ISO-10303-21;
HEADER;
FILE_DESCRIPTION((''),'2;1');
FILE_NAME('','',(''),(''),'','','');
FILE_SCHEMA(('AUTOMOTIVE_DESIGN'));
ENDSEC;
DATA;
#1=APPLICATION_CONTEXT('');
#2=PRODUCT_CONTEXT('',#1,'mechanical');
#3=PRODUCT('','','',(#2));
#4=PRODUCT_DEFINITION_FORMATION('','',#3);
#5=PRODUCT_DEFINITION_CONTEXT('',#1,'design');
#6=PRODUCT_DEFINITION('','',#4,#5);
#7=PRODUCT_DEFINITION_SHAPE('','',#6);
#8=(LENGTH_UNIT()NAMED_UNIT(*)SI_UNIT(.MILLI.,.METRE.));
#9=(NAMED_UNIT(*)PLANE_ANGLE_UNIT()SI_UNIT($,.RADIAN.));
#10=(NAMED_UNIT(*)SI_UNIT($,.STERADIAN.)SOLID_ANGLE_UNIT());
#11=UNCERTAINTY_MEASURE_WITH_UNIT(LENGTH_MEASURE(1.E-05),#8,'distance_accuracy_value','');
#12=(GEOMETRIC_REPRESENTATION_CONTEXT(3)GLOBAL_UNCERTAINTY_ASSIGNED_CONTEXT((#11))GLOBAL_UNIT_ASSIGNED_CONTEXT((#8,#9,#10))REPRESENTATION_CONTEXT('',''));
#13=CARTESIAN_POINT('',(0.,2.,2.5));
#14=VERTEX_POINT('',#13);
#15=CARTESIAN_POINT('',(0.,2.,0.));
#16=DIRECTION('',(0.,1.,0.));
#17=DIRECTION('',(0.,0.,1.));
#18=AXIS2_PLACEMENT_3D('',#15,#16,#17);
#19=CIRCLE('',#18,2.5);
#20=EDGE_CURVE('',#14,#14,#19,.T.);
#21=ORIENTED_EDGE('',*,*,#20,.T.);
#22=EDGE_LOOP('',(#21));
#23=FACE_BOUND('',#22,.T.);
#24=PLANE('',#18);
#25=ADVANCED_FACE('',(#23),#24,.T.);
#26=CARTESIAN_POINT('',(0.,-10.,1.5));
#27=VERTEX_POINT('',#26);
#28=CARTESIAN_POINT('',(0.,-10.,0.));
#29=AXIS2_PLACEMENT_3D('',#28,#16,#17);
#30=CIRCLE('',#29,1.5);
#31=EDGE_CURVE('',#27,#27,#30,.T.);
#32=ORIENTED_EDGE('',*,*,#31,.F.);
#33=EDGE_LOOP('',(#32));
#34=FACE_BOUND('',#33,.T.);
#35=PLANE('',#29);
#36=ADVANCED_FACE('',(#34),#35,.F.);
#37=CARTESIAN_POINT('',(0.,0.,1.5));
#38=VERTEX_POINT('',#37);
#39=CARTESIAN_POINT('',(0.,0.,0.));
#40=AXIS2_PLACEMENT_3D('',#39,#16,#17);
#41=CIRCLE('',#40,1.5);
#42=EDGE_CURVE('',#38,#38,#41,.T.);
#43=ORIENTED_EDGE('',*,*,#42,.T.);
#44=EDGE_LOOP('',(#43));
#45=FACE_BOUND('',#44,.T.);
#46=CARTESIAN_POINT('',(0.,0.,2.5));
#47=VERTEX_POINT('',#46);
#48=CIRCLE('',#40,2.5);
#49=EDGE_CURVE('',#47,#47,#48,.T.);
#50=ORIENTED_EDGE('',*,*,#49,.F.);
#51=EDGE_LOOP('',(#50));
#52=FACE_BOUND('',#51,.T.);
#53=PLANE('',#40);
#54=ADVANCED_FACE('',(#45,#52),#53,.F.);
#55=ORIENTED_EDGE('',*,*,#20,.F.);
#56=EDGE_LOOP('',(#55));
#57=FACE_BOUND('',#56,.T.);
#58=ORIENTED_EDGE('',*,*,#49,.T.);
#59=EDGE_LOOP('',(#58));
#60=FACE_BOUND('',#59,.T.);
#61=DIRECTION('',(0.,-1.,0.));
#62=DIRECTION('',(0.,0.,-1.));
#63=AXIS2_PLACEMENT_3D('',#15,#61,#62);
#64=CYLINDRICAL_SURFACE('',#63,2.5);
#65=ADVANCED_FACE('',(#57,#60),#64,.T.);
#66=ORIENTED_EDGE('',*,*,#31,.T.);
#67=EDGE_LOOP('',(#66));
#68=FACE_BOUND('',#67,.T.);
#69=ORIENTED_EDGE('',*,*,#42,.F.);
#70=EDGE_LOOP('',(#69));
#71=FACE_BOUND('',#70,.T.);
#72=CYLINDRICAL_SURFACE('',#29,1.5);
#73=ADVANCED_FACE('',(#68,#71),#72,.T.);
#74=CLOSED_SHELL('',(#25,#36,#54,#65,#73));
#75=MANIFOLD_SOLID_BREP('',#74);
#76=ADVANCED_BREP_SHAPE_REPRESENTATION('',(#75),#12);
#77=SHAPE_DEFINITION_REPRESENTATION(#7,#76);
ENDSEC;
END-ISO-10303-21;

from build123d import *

# Parameters (mm, degrees)
SKETCH1_R           = 2.5
BOSS_EXTRUDE1_DEPTH = 2
SKETCH1_3_R         = 1.5
BOSS_EXTRUDE2_DEPTH = 10


with BuildPart() as part:
    # Sketch1 → Boss-Extrude1 (new body)
    with BuildSketch(Plane(origin=(0, 0, 0), x_dir=(1, 0, 0), z_dir=(0, 1, 0))):
        Circle(SKETCH1_R)
    extrude(amount=BOSS_EXTRUDE1_DEPTH)

    # Sketch1<3> → Boss-Extrude2 (add)
    with BuildSketch(Plane(origin=(0, 0, 0), x_dir=(1, 0, 0), z_dir=(0, 1, 0))):
        Circle(SKETCH1_3_R)
    extrude(amount=-BOSS_EXTRUDE2_DEPTH)


solid = part.part
